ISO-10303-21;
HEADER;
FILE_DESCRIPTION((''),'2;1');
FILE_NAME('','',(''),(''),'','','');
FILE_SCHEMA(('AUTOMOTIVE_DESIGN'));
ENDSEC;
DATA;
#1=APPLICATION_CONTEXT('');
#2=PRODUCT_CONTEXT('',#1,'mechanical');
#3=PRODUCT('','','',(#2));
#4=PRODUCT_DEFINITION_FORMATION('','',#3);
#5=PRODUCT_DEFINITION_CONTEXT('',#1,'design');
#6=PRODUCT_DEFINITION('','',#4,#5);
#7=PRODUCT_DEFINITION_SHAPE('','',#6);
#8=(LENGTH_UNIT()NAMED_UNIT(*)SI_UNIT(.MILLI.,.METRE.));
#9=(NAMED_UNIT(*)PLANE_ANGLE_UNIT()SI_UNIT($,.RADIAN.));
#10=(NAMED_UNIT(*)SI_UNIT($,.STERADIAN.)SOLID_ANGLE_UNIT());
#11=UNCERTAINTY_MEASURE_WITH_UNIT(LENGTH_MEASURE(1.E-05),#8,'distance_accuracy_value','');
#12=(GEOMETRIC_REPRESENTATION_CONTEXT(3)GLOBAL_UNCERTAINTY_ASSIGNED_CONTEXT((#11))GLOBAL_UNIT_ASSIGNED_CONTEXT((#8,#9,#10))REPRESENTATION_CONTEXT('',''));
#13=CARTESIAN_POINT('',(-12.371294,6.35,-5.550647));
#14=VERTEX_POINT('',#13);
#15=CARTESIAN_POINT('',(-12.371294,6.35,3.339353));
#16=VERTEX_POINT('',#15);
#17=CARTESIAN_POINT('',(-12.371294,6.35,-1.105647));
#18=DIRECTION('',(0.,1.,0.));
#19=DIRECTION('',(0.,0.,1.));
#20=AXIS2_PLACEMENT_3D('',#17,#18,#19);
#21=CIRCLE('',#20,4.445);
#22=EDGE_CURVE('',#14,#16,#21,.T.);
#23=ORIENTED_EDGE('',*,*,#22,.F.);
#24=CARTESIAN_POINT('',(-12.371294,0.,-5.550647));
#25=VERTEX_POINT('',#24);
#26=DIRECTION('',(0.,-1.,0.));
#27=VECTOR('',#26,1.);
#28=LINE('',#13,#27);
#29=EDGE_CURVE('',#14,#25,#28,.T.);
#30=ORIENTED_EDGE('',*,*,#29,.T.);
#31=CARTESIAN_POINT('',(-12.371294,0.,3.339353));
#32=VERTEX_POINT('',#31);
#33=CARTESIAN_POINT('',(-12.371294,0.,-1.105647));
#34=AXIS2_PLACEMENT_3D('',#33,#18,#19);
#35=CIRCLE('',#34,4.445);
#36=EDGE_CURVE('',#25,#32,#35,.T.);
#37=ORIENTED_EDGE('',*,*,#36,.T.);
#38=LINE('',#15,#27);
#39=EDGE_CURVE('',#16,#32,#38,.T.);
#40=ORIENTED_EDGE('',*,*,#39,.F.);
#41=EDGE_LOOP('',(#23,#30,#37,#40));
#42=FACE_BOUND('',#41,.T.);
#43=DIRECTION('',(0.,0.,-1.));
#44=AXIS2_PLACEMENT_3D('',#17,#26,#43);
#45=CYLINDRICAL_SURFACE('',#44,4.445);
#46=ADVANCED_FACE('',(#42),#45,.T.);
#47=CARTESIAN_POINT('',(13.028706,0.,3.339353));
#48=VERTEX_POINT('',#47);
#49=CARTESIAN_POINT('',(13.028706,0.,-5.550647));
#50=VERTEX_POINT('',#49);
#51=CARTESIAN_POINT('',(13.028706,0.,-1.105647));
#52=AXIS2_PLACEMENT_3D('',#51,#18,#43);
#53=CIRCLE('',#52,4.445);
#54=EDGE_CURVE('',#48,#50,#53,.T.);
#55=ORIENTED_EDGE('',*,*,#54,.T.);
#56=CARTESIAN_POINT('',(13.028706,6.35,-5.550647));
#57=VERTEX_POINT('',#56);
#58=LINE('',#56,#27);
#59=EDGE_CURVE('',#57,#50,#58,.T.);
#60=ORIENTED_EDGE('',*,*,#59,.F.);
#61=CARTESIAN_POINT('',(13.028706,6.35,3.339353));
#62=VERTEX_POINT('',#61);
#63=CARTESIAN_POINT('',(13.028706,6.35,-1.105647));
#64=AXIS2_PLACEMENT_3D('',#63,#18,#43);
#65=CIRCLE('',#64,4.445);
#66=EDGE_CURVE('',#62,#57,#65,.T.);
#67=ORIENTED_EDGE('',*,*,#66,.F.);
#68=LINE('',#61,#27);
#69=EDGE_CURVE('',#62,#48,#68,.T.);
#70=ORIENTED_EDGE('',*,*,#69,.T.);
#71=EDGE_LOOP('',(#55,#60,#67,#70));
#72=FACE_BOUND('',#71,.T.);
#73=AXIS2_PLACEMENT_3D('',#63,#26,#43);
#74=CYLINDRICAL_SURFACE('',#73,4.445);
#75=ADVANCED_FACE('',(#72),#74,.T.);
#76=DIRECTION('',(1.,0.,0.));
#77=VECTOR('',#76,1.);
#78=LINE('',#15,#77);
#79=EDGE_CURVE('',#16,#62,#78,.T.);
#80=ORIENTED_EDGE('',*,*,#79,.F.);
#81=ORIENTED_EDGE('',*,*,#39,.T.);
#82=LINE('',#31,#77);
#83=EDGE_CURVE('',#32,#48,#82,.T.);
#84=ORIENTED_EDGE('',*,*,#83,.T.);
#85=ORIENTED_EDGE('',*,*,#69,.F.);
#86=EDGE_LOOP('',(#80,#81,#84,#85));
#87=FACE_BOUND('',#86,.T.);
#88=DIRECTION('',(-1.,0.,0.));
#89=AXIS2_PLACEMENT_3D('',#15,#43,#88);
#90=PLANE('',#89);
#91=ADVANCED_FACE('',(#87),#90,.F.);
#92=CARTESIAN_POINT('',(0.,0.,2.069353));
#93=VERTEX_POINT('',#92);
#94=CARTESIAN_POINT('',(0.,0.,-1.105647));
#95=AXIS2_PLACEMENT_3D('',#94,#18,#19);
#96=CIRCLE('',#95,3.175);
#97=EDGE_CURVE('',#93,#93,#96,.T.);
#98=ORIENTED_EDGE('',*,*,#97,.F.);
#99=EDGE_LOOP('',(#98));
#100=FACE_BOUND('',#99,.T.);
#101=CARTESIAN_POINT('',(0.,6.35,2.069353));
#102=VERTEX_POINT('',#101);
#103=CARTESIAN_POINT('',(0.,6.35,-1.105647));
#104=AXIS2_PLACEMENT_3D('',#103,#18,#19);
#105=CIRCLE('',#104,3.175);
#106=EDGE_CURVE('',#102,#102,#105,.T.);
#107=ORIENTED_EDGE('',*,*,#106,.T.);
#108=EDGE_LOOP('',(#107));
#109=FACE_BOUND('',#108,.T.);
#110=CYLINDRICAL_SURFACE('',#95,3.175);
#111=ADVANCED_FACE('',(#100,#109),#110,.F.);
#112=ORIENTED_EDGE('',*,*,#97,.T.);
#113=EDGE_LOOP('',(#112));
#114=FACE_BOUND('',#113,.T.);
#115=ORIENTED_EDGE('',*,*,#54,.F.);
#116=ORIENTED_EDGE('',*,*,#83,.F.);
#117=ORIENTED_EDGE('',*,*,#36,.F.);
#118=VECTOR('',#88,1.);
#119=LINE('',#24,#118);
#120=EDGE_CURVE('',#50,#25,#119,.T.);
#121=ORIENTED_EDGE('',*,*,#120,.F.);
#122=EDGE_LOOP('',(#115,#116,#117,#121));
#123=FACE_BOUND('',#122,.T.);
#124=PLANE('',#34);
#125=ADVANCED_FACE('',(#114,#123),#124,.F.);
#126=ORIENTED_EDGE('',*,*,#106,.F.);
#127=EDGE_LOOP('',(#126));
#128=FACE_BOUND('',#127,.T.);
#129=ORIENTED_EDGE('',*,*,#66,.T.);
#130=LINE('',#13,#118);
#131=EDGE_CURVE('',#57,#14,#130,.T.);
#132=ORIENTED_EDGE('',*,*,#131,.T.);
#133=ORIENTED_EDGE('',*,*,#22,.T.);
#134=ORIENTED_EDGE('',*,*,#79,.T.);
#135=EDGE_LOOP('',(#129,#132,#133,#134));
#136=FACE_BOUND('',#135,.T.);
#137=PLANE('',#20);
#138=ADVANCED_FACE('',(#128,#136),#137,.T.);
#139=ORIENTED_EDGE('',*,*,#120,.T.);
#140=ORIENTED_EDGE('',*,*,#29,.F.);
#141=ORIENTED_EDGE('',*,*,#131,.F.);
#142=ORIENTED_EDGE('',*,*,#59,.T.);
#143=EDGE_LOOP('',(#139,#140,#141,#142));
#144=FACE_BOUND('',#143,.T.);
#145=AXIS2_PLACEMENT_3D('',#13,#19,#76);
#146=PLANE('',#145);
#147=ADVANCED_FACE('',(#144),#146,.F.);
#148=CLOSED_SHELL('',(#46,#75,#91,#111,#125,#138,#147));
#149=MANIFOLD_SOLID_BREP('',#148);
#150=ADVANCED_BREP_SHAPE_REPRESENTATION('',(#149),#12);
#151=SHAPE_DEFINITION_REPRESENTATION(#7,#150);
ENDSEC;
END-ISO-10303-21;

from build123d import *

# Parameters (mm, degrees)
BOSS_EXTRUDE1_DEPTH = 6.35
SKETCH2_R           = 3.175
CUT_EXTRUDE1_DEPTH  = 6.35


with BuildPart() as part:
    # Sketch1 → Boss-Extrude1 (new body)
    with BuildSketch(Plane(origin=(0, 0, 0), x_dir=(1, 0, 0), z_dir=(0, 1, 0))):
        with BuildLine():
            Line((-12.371294118, 5.550647059), (13.028705882, 5.550647059))
            ThreePointArc((13.028705882, 5.550647059), (17.473705882, 1.105647059), (13.028705882, -3.339352941))
            Line((13.028705882, -3.339352941), (-12.371294118, -3.339352941))
            ThreePointArc((-12.371294118, -3.339352941), (-16.816294118, 1.105647059), (-12.371294118, 5.550647059))
        make_face()
    extrude(amount=BOSS_EXTRUDE1_DEPTH)

    # Sketch2 → Cut-Extrude1 (cut)
    with BuildSketch(Plane(origin=(0, 6.35, 0), x_dir=(1, 0, 0), z_dir=(0, 1, 0))):
        with Locations(Location((0, 1.105647059, 0), (0, 0, 270))):
            Circle(SKETCH2_R)
    extrude(amount=-CUT_EXTRUDE1_DEPTH, mode=Mode.SUBTRACT)


solid = part.part
